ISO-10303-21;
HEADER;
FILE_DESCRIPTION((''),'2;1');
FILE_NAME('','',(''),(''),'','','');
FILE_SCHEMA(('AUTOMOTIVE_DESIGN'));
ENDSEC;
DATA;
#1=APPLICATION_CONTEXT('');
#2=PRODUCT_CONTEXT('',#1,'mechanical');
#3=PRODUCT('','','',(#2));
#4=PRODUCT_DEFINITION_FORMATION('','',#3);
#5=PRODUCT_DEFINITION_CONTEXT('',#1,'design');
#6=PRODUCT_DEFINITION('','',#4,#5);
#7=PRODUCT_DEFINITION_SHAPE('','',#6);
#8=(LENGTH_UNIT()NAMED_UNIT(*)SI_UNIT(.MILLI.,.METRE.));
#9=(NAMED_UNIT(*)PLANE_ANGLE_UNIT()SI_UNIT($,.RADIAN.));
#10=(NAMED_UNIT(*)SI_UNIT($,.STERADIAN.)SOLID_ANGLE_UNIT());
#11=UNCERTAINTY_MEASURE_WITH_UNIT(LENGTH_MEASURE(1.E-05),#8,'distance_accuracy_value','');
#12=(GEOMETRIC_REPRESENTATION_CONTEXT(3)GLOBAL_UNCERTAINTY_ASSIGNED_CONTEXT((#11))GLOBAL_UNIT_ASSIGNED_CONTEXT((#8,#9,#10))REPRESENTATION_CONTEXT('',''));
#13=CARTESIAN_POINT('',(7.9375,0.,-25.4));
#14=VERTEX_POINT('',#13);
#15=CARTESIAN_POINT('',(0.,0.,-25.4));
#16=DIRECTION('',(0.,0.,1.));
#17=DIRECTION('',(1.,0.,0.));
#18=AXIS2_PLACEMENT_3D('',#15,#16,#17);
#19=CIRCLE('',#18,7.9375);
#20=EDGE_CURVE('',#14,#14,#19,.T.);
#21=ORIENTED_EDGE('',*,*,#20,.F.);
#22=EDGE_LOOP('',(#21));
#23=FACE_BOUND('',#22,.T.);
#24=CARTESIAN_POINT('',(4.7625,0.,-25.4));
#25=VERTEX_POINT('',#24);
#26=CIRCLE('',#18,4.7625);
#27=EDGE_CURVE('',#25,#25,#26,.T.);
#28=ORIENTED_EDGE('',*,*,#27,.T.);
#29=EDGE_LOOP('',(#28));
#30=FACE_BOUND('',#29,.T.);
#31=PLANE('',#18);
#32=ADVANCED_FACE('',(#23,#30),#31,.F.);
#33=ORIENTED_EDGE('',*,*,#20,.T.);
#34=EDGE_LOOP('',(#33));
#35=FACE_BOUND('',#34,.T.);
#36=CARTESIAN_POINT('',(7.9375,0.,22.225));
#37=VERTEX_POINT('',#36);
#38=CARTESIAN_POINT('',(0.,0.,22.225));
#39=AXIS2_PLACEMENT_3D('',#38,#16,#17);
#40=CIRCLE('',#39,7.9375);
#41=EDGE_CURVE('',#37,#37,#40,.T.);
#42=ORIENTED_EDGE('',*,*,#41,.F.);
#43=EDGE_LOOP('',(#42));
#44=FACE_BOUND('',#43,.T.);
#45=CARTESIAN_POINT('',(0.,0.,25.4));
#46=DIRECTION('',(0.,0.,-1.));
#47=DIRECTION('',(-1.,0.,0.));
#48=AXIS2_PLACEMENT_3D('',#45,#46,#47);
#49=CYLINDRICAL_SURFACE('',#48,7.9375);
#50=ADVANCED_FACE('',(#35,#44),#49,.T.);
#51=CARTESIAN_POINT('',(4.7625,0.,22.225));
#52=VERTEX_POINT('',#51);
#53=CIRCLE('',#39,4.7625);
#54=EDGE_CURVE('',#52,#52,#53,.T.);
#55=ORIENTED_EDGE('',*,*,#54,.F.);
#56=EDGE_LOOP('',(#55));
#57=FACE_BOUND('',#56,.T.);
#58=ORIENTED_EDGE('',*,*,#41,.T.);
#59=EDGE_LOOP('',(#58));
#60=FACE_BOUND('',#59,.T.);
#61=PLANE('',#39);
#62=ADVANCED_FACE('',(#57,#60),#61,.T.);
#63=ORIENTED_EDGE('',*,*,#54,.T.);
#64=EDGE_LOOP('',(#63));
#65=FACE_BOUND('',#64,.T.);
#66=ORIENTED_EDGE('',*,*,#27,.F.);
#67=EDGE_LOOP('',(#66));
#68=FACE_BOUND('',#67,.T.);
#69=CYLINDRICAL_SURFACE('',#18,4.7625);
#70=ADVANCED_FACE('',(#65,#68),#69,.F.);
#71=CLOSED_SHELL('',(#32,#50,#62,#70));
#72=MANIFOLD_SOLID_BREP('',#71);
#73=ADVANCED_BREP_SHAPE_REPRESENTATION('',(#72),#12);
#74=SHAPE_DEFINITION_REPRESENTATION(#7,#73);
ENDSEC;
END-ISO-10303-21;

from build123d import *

# Parameters (mm, degrees)
SKETCH1_R          = 7.9375
SKETCH1_R_2        = 3.2004
EXTRUDE1_DEPTH     = 25.4
SKETCH5_R          = 7.9375
SKETCH5_R_2        = 3.2004
CUT_EXTRUDE1_DEPTH = 3.175
SKETCH6_R          = 4.7625
CUT_EXTRUDE2_DEPTH = 48.625


with BuildPart() as part:
    # Sketch1 → Extrude1 (new body, symmetric)
    with BuildSketch(Plane.XY):
        Circle(SKETCH1_R)
        Circle(SKETCH1_R_2, mode=Mode.SUBTRACT)
    extrude(amount=EXTRUDE1_DEPTH, both=True)

    # Sketch5 → Cut-Extrude1 (cut)
    with BuildSketch(Plane.XY.offset(25.4)):
        Circle(SKETCH5_R)
        Circle(SKETCH5_R_2, mode=Mode.SUBTRACT)
    extrude(amount=-CUT_EXTRUDE1_DEPTH, mode=Mode.SUBTRACT)

    # Sketch6 → Cut-Extrude2 (cut, through all)
    with BuildSketch(Plane.XY.offset(22.225)):
        Circle(SKETCH6_R)
    extrude(amount=-CUT_EXTRUDE2_DEPTH, mode=Mode.SUBTRACT)


solid = part.part
